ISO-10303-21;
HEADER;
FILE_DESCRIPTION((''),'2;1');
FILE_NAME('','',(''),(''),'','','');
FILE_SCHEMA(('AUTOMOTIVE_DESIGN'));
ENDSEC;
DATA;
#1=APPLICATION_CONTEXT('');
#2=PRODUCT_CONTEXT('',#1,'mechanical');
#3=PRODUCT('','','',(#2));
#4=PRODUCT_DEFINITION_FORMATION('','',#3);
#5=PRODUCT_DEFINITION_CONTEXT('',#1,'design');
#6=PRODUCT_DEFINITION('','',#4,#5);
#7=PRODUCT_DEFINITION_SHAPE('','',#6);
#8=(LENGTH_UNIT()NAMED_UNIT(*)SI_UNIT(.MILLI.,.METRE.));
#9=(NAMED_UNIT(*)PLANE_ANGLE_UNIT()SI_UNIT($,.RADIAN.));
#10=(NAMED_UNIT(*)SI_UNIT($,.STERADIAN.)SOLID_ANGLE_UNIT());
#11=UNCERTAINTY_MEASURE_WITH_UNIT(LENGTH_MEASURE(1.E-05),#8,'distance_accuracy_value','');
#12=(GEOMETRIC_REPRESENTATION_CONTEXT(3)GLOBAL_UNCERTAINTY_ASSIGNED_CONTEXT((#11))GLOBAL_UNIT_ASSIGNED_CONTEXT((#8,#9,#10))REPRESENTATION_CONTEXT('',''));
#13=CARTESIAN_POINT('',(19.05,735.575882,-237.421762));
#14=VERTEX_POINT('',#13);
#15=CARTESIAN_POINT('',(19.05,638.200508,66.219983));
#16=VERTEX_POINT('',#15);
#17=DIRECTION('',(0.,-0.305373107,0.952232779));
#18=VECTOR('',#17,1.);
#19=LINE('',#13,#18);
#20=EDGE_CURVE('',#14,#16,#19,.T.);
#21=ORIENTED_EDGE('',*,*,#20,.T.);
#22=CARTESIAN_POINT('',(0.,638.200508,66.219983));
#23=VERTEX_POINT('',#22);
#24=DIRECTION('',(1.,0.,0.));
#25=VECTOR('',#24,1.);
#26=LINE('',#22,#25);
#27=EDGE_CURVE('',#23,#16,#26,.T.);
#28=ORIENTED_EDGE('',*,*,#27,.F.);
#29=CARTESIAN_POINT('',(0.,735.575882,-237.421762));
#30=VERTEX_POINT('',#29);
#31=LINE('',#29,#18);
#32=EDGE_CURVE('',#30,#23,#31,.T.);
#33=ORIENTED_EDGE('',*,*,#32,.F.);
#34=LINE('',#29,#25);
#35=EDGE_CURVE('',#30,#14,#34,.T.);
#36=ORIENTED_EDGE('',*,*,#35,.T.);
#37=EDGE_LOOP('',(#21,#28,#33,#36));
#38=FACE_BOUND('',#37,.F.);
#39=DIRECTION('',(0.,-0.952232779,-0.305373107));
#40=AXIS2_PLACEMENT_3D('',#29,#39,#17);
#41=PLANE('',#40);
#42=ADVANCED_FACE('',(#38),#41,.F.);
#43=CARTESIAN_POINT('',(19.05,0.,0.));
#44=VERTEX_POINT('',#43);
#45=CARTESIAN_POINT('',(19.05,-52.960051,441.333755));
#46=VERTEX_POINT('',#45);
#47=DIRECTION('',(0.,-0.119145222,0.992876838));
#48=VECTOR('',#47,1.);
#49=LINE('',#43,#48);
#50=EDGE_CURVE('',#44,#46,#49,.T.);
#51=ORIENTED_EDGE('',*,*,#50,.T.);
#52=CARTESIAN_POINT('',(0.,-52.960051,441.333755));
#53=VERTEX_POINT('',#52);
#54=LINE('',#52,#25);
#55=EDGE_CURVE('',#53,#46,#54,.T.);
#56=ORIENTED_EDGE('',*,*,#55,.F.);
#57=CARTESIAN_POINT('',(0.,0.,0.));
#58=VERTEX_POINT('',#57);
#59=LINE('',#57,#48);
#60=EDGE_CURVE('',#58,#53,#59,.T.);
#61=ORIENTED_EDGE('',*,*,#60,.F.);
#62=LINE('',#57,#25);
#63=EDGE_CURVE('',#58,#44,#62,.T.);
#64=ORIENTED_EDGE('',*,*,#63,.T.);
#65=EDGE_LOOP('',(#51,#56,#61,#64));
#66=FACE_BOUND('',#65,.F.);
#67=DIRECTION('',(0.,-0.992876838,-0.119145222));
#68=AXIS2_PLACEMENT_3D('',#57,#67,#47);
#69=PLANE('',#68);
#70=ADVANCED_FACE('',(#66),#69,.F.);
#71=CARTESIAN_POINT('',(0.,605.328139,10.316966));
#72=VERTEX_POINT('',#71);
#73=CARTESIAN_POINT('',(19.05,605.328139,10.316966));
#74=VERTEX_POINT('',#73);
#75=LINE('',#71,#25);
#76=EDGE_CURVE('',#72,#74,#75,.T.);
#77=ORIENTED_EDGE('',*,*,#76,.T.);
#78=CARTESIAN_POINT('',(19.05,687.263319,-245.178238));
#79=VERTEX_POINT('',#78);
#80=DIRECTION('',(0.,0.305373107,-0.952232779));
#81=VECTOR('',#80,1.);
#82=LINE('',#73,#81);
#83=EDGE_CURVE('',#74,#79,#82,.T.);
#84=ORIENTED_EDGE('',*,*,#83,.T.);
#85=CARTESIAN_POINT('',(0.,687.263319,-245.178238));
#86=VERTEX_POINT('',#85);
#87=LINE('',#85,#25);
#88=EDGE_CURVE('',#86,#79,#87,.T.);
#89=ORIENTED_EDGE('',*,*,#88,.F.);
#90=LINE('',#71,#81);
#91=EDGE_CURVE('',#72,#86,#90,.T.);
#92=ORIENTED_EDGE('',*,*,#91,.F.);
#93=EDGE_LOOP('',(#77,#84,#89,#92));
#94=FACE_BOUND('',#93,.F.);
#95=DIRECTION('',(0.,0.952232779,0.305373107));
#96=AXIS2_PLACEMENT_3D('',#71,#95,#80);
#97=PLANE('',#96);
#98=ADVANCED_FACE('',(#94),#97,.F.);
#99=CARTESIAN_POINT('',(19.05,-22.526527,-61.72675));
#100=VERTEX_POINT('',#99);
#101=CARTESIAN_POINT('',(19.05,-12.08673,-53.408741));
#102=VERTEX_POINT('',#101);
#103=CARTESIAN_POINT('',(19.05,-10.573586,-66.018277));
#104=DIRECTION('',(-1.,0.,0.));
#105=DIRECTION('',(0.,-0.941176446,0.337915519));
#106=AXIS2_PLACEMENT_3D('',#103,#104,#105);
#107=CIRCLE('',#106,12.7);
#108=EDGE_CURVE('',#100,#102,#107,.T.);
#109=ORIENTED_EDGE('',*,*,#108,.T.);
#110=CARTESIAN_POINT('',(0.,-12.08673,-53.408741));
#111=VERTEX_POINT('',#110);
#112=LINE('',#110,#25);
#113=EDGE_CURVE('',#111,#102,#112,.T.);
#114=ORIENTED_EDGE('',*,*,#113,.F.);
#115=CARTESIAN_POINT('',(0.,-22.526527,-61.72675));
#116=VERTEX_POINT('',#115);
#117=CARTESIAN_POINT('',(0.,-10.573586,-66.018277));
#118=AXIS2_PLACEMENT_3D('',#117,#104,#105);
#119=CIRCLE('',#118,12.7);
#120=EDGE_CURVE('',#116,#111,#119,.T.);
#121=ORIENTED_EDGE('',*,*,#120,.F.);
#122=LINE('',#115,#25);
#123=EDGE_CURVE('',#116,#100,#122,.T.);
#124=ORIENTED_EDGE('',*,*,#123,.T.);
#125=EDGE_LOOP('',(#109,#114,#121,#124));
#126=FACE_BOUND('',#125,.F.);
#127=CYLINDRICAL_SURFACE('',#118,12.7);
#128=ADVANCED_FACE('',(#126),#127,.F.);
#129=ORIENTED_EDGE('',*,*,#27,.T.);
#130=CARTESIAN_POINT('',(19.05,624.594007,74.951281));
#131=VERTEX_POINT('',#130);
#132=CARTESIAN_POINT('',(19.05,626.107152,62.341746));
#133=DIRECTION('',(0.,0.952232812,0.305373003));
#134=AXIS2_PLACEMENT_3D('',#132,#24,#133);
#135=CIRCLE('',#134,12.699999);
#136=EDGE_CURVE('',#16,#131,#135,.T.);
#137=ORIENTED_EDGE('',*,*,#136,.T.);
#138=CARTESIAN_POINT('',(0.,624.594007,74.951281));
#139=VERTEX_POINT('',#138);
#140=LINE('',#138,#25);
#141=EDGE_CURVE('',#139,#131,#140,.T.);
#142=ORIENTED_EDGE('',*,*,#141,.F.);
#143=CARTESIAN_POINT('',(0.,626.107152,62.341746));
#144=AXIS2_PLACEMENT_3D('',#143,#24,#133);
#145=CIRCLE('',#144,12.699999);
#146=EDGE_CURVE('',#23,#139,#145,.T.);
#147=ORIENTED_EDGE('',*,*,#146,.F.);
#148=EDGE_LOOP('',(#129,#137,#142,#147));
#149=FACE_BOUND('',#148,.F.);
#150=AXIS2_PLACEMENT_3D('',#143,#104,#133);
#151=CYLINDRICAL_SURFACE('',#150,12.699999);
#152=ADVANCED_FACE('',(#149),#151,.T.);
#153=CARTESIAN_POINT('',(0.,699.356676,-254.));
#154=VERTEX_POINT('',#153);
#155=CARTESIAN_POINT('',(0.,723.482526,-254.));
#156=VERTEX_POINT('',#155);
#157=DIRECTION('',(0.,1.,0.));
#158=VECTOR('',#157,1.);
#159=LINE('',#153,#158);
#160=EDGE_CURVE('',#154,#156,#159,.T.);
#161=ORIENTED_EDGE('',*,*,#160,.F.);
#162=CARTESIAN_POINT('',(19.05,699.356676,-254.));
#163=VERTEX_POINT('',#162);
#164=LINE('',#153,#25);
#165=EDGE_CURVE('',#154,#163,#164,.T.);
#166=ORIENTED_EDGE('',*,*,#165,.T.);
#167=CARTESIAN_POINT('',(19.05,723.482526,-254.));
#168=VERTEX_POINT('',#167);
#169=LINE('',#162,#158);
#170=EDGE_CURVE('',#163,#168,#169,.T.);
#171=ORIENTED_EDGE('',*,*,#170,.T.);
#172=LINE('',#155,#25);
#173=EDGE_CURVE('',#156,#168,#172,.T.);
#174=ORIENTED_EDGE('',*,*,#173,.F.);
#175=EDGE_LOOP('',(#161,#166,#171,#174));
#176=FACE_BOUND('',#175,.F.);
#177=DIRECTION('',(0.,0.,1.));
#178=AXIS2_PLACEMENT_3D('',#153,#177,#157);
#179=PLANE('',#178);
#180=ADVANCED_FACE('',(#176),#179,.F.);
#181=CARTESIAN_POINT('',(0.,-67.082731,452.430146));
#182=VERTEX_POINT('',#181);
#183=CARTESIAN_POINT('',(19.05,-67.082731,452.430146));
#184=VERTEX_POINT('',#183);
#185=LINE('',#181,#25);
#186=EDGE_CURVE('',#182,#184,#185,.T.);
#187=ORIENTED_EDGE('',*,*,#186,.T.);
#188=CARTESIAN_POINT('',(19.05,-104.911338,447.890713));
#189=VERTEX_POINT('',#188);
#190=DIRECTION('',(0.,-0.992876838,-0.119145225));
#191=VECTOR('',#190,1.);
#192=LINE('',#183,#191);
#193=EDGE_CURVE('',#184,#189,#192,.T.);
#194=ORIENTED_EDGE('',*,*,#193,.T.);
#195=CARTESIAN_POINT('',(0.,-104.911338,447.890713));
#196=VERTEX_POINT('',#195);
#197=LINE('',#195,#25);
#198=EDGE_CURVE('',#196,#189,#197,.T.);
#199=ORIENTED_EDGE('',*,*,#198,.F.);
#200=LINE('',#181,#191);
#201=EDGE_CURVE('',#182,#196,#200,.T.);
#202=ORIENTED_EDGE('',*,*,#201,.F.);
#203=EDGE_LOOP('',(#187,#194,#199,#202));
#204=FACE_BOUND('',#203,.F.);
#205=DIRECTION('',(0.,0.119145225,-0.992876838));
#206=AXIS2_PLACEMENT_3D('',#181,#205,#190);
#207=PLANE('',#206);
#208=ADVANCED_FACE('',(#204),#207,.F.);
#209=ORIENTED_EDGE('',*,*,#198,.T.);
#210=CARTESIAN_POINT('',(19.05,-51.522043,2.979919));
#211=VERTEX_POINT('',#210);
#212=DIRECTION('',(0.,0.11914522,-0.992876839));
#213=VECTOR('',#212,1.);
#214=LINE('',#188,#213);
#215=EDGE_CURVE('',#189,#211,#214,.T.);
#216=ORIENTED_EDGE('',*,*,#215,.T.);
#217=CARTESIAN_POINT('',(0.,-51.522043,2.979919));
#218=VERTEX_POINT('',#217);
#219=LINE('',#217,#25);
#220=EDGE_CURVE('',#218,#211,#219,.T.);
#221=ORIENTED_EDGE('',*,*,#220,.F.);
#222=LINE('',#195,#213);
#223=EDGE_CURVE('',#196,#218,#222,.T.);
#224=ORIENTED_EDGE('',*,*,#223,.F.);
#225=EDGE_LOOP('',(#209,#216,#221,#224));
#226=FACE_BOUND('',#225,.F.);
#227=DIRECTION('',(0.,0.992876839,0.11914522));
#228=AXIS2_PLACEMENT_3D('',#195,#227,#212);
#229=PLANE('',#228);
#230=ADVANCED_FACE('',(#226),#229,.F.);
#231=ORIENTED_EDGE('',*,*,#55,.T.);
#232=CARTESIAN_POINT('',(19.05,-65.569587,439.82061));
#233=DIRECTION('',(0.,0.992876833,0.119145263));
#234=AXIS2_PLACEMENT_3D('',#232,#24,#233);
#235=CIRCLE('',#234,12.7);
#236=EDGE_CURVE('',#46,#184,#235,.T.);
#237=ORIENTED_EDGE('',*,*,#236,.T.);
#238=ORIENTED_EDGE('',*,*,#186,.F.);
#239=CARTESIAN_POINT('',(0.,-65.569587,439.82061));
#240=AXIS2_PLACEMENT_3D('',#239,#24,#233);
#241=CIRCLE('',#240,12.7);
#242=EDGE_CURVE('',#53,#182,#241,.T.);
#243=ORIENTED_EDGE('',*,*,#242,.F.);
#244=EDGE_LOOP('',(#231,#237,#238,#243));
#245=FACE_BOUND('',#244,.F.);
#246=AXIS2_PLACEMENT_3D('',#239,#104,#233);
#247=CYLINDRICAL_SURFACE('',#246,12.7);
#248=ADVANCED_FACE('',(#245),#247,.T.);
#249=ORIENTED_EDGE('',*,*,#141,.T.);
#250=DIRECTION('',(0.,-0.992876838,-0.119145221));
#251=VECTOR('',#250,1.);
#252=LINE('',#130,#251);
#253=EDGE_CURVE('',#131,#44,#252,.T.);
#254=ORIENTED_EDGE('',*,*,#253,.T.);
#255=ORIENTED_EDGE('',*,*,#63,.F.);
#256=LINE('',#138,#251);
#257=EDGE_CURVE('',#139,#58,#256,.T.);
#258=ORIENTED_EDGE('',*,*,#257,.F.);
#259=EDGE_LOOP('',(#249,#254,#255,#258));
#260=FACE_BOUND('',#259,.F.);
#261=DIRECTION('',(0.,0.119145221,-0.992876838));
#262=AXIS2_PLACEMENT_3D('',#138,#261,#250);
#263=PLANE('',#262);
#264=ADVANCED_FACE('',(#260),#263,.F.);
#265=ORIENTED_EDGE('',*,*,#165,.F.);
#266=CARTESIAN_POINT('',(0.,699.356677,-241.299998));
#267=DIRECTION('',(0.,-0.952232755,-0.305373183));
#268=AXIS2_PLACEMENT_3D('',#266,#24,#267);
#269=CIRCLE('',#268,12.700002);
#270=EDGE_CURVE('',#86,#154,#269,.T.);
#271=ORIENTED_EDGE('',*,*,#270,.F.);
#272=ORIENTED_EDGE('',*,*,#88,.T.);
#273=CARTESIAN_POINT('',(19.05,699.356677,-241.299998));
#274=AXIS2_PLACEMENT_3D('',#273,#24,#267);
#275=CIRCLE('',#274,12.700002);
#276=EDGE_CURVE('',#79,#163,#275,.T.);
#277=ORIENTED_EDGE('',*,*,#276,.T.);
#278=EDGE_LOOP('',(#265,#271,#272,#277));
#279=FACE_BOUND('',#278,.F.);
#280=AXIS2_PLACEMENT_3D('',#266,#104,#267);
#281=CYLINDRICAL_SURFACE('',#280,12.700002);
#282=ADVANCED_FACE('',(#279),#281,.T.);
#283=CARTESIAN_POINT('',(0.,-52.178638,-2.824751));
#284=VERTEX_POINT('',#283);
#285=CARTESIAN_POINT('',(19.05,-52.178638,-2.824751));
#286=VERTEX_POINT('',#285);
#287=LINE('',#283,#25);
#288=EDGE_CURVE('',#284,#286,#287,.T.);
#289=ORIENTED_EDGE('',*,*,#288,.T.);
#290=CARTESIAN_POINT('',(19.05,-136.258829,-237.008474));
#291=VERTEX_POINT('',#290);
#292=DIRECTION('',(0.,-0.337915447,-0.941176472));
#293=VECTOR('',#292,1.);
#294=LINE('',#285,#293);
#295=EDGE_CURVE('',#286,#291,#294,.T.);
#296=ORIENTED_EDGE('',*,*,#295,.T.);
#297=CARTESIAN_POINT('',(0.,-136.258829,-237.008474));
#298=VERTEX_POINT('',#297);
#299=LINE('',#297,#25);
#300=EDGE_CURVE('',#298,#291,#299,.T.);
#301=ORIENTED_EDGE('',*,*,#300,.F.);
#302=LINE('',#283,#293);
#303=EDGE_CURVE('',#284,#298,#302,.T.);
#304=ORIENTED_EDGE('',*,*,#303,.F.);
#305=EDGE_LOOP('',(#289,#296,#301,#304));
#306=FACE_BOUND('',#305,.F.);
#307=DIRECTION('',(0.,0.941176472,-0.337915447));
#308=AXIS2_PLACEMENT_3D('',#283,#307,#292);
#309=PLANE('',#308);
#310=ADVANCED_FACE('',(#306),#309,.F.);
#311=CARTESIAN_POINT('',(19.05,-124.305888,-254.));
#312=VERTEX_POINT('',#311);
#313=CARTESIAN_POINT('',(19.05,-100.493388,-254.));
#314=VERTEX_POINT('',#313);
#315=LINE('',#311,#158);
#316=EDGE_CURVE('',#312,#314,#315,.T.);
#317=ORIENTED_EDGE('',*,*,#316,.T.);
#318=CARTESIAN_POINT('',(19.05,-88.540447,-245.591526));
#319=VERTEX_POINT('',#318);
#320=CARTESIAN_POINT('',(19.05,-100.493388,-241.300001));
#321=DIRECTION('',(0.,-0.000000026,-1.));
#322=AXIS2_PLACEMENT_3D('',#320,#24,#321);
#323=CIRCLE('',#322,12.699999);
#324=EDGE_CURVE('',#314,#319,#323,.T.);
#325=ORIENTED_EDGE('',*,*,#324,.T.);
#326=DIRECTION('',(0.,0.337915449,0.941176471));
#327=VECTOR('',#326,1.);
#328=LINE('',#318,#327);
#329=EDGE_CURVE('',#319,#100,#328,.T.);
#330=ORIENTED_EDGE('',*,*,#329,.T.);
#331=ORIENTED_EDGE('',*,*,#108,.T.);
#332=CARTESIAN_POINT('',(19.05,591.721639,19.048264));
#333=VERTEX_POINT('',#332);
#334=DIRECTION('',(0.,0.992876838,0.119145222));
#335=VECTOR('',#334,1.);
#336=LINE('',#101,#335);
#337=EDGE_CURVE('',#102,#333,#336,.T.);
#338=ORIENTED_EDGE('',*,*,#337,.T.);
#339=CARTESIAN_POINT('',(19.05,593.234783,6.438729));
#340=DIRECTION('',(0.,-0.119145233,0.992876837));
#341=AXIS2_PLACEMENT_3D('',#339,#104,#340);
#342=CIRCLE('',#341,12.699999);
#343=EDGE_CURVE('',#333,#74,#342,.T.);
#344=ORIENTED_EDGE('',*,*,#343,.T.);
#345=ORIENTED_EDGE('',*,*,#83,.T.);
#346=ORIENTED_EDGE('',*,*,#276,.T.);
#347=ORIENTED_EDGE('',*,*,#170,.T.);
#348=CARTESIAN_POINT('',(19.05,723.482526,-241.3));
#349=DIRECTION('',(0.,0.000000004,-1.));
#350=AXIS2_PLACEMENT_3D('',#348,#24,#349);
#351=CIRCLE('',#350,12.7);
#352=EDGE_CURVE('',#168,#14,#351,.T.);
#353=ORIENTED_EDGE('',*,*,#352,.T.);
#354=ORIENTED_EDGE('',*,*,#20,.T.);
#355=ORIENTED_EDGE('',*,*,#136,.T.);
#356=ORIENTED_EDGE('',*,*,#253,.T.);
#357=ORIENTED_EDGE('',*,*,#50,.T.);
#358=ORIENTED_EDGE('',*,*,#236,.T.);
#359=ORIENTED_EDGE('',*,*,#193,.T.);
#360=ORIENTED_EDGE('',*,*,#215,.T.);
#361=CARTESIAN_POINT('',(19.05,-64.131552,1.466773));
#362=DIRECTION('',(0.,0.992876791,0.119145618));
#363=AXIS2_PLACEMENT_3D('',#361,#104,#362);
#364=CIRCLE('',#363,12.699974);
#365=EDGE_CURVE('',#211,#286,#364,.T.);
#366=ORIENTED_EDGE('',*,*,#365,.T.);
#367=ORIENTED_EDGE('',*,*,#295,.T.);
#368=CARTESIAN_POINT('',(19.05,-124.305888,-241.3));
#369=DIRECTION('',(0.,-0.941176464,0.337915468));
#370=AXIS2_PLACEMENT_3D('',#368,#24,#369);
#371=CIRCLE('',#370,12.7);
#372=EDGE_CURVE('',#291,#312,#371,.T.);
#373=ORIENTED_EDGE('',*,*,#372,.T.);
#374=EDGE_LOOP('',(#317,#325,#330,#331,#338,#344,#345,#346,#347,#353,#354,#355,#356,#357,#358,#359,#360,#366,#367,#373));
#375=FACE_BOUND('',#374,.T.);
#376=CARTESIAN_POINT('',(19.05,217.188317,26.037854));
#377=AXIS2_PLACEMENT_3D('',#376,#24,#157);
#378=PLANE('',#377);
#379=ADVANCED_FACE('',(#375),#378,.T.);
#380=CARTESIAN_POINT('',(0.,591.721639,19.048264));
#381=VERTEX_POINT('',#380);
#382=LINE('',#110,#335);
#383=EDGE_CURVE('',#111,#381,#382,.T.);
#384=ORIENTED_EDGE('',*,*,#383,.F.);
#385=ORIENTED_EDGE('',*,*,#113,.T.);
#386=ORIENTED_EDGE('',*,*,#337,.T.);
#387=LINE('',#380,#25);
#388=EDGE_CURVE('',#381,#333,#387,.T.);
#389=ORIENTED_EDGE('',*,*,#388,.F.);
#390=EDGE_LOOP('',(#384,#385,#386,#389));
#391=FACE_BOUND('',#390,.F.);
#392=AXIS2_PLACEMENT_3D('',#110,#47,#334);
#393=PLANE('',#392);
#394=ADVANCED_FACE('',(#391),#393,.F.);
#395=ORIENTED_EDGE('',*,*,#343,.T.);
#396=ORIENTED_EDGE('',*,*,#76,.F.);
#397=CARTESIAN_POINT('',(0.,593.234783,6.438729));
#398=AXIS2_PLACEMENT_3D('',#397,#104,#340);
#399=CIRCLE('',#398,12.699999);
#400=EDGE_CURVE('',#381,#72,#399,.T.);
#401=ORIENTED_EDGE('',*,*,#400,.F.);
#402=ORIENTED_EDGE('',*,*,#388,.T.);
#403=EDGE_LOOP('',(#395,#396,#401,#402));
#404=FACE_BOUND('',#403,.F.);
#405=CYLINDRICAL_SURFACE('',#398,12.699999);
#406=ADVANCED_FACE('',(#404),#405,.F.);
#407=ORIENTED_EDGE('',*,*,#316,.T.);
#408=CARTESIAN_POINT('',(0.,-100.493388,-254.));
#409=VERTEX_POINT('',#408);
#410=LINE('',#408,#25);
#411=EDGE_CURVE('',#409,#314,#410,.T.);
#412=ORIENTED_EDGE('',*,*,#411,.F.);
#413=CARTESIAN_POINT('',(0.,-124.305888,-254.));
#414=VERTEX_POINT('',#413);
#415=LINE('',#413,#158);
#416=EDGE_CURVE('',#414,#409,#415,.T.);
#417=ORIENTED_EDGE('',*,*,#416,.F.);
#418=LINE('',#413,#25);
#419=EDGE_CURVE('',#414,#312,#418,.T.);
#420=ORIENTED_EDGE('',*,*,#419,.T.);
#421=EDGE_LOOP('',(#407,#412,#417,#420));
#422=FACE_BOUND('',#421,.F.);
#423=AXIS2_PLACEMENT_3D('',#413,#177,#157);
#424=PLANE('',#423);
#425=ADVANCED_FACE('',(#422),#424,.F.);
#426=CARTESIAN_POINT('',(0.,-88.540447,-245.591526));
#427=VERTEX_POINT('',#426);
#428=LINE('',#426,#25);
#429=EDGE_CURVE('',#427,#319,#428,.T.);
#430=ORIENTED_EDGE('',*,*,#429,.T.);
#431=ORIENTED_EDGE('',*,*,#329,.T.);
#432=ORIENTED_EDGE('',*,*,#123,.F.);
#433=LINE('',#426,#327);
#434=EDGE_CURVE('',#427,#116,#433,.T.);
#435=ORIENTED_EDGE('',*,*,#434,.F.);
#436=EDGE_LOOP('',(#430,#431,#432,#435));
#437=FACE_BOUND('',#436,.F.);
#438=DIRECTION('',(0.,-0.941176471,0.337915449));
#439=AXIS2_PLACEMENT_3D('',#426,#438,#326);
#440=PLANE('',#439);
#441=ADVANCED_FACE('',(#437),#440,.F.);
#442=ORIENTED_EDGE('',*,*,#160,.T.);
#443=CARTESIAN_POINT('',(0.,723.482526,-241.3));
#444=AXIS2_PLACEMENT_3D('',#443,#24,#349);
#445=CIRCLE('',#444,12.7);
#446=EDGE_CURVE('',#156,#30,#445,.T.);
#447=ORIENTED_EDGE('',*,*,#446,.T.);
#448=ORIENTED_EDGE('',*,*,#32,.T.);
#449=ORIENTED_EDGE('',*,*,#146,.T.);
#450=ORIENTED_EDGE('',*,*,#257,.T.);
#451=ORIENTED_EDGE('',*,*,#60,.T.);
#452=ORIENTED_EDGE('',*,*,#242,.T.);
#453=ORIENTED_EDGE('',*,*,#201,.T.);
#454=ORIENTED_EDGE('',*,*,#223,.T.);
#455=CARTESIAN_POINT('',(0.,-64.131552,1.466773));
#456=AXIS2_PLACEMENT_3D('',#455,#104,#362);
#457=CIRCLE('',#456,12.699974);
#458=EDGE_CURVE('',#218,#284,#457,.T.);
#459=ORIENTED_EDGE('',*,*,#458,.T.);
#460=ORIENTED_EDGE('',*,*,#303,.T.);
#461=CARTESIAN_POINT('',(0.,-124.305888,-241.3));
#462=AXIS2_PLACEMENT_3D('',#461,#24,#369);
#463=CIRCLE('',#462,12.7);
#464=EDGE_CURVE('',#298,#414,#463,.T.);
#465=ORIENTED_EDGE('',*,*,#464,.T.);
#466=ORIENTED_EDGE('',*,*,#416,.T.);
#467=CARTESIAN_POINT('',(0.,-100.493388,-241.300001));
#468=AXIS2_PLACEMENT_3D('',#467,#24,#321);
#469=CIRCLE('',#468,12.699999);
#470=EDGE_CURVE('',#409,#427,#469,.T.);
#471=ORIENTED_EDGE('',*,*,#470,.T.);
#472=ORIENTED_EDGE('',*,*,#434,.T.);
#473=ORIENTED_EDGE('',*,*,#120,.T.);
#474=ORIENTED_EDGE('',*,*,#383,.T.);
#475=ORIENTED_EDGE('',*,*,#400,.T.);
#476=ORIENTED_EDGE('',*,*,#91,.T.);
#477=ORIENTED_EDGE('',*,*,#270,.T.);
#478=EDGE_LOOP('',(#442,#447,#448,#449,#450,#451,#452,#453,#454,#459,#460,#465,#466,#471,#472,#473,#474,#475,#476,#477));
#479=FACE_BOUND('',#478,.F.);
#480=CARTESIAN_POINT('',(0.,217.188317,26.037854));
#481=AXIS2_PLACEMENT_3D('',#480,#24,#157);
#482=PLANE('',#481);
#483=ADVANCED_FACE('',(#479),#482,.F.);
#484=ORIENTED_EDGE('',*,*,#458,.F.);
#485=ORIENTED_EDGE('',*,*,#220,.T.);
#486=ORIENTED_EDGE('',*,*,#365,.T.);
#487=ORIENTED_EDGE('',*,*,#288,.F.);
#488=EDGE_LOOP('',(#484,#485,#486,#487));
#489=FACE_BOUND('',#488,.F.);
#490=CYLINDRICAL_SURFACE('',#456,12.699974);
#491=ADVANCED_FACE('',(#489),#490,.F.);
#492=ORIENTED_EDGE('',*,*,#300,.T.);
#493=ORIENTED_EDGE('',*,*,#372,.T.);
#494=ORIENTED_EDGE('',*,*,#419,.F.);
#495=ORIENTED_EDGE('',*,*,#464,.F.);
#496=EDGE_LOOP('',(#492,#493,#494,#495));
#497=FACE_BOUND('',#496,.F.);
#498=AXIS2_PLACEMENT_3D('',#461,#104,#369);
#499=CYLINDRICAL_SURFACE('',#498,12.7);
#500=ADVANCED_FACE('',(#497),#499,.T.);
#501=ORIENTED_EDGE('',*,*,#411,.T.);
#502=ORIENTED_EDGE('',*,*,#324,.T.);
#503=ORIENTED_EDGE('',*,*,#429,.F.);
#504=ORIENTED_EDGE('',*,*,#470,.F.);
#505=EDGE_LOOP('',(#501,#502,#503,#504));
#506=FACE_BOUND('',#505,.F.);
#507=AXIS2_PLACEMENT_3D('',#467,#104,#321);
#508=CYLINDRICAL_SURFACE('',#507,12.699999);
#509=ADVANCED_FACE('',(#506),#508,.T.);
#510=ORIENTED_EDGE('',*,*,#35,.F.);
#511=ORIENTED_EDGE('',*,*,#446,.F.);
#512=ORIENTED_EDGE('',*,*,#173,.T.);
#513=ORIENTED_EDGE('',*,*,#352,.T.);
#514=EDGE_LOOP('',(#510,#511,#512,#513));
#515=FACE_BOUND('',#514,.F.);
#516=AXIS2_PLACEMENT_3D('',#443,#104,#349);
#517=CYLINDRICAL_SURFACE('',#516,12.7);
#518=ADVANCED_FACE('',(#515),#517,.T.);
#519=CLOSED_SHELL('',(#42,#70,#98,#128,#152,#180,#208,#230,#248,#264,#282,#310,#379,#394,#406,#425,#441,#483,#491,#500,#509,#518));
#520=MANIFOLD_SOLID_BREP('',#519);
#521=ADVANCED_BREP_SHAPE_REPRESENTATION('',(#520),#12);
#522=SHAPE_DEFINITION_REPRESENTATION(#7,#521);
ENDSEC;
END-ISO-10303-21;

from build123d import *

# Parameters (mm, degrees)
F1_DEPTH = 19.05


with BuildPart() as f1:
    # F0 (on Right) → F1 (new body)
    with BuildSketch(Plane.YZ):
        with BuildLine():
            Line((735.575882, -237.421762), (638.200508, 66.219983))
            ThreePointArc((638.200508, 66.219983), (632.966023, 73.030332), (624.594007, 74.951281))
            Line((624.594007, 74.951281), (0, 0))
            Line((0, 0), (-52.960051, 441.333755))
            ThreePointArc((-52.960051, 441.333755), (-57.723253, 449.806853), (-67.082731, 452.430146))
            Line((-67.082731, 452.430146), (-104.911338, 447.890713))
            Line((-104.911338, 447.890713), (-51.522043, 2.979919))
            ThreePointArc((-51.522043, 2.979919), (-51.512055, 0.039319), (-52.178638, -2.824751))
            Line((-52.178638, -2.824751), (-136.258829, -237.008474))
            ThreePointArc((-136.258829, -237.008474), (-134.693197, -248.607107), (-124.305888, -254))
            Line((-124.305888, -254), (-100.493388, -254))
            ThreePointArc((-100.493388, -254), (-93.186281, -251.687309), (-88.540447, -245.591526))
            Line((-88.540447, -245.591526), (-22.526527, -61.72675))
            ThreePointArc((-22.526527, -61.72675), (-18.487572, -56.085562), (-12.08673, -53.408741))
            Line((-12.08673, -53.408741), (591.721639, 19.048264))
            ThreePointArc((591.721639, 19.048264), (600.093654, 17.127315), (605.328139, 10.316966))
            Line((605.328139, 10.316966), (687.263319, -245.178238))
            ThreePointArc((687.263319, -245.178238), (691.872146, -251.560205), (699.356676, -254))
            Line((699.356676, -254), (723.482526, -254))
            ThreePointArc((723.482526, -254), (733.742731, -248.78453), (735.575882, -237.421762))
        make_face()
    extrude(amount=F1_DEPTH)


solid = f1.part
